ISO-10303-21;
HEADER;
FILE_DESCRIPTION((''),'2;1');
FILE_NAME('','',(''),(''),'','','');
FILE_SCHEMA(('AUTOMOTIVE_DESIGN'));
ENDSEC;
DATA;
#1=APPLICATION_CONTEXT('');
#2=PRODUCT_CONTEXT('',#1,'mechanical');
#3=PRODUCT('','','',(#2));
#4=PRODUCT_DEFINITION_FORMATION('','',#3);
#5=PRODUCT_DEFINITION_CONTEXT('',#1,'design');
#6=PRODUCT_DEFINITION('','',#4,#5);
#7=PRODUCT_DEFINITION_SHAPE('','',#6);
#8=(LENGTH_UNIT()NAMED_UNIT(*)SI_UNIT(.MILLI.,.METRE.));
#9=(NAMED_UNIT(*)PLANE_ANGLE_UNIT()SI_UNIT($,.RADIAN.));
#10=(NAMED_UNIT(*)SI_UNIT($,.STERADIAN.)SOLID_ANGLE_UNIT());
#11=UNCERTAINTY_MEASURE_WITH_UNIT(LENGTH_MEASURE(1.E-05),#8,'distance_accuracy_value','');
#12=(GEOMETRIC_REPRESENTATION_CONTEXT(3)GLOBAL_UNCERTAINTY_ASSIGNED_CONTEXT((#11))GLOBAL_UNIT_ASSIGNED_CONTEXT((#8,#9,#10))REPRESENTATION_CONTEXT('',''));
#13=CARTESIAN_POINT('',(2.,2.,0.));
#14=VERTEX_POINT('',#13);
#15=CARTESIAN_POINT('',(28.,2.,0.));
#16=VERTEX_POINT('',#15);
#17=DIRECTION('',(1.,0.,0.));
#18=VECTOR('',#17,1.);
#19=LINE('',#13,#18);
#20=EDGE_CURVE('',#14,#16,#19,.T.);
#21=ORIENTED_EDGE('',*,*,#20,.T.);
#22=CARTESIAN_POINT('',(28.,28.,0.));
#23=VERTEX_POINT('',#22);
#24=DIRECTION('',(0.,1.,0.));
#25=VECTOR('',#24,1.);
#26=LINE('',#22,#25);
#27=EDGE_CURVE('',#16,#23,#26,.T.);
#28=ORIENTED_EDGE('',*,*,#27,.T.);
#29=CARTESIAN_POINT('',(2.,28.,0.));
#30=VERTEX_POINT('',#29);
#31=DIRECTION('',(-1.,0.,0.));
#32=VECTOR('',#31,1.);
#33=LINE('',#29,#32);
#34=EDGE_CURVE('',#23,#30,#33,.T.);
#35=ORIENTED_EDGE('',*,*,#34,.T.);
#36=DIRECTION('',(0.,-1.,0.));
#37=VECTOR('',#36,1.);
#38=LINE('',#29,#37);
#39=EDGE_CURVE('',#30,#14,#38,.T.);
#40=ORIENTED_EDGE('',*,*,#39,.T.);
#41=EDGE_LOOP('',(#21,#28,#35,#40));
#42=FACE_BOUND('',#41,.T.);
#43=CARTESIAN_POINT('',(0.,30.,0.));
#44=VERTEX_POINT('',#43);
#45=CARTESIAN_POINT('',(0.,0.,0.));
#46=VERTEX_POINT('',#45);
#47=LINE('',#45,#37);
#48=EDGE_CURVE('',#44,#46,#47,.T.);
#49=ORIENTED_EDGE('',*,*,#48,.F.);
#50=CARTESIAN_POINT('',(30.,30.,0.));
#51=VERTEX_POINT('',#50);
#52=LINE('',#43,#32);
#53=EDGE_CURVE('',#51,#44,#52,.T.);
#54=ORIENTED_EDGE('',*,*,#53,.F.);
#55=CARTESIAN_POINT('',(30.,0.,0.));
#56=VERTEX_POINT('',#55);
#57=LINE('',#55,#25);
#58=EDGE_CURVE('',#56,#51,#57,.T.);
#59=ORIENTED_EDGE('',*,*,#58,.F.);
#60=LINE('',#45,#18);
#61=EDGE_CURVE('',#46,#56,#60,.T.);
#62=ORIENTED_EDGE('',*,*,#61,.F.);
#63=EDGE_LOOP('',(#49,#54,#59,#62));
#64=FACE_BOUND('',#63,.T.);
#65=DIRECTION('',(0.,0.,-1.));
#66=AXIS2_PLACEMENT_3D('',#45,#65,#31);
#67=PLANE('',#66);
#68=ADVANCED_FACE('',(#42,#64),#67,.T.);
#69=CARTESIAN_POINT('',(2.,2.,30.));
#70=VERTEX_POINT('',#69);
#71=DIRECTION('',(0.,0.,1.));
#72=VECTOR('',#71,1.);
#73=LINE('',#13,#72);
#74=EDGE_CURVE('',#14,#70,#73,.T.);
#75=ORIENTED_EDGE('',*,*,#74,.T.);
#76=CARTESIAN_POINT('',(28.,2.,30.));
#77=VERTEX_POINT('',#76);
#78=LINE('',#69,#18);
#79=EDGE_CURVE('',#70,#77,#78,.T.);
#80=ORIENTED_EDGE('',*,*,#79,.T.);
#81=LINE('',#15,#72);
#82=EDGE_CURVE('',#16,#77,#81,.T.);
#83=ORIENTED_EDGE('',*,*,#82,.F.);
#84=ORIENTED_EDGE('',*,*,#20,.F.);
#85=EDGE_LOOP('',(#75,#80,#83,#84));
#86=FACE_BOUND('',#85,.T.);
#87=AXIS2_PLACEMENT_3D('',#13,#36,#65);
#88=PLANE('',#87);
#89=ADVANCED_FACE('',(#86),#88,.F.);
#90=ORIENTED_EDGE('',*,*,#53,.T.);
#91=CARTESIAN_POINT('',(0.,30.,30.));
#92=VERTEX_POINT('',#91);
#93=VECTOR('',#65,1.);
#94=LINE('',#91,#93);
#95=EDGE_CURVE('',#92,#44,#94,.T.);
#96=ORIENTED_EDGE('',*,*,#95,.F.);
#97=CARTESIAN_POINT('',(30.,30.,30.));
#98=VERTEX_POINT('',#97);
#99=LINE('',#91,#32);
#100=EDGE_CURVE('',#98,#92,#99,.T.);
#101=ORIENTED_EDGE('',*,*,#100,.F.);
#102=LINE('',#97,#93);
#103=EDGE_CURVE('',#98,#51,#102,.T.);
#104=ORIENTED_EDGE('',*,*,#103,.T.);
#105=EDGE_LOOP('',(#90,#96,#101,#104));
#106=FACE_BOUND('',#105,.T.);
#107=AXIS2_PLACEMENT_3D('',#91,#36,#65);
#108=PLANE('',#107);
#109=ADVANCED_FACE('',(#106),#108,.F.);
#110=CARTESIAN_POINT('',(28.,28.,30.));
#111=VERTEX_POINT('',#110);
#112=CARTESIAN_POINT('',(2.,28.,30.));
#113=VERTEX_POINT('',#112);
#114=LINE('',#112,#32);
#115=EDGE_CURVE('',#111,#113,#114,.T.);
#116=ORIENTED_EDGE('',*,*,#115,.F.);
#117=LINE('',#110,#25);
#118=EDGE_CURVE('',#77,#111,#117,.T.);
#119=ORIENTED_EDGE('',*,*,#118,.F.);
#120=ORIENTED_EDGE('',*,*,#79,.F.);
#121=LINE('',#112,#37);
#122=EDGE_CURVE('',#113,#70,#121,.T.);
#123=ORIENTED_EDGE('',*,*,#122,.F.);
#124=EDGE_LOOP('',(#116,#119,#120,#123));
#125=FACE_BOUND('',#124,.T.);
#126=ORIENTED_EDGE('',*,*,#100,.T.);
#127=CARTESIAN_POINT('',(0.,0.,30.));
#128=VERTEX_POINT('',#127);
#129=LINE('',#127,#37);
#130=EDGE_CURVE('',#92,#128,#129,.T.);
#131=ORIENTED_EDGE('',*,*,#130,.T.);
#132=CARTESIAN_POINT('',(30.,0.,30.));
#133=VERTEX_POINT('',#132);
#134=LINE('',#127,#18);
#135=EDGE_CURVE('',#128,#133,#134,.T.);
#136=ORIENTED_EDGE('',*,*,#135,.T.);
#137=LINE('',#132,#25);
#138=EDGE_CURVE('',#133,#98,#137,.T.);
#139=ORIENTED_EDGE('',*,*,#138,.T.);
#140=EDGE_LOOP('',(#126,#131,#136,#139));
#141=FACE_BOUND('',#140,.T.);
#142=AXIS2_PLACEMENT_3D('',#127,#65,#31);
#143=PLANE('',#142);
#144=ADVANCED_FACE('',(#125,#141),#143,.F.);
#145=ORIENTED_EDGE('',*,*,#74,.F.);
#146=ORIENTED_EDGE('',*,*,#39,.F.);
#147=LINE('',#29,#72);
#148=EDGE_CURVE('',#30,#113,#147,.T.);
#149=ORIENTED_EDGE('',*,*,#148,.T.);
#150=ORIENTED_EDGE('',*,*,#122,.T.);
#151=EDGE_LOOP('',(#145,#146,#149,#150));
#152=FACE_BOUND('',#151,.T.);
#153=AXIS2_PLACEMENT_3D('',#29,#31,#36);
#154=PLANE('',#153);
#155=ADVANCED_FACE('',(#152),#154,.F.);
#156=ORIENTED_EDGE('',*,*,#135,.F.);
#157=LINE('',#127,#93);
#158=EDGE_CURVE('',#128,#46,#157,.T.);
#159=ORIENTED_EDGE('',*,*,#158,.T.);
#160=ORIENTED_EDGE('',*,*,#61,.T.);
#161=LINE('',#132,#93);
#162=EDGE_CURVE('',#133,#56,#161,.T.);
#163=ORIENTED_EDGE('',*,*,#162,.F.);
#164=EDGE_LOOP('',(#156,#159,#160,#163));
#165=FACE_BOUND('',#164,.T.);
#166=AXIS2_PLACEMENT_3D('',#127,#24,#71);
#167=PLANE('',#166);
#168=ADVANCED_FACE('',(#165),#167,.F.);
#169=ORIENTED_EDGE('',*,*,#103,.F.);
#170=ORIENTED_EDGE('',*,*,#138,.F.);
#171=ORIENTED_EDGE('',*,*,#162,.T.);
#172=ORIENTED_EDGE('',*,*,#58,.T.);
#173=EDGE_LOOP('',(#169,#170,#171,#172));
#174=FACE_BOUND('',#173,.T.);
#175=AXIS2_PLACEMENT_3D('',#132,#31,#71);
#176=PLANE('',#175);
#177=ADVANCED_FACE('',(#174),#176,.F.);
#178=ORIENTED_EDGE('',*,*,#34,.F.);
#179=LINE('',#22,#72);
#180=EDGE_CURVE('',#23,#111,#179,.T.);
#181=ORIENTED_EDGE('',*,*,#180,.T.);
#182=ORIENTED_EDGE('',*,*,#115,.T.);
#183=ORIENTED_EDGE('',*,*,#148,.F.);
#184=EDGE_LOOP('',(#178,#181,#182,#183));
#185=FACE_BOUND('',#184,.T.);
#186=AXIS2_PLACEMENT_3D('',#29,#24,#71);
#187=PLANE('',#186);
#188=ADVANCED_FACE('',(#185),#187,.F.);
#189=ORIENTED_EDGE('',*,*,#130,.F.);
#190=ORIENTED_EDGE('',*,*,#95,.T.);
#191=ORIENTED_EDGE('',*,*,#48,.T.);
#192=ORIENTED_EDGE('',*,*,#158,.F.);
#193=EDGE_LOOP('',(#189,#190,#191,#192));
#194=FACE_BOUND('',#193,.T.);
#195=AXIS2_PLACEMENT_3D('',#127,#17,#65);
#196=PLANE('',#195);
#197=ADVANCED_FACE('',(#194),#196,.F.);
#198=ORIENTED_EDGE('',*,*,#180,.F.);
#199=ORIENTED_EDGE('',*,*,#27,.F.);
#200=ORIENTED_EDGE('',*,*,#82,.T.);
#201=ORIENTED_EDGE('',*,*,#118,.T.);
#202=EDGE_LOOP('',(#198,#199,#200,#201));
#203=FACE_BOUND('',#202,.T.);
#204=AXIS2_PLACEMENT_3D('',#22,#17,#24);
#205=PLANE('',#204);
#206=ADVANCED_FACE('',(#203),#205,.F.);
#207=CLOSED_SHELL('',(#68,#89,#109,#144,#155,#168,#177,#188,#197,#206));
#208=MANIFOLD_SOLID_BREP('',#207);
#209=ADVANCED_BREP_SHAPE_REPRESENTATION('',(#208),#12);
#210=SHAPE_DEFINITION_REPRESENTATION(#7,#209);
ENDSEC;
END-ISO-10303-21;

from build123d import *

# Parameters (mm, degrees)
SKETCH_1_W          = 30
SKETCH_1_H          = 30
EXTRUDE_1_DEPTH     = 30
SKETCH_2_W          = 26
SKETCH_2_H          = 26
CUT_EXTRUDE_1_DEPTH = 52.961524227


with BuildPart() as part:
    # Эскиз1 → Бобышка-Вытянуть1 (new body)
    with BuildSketch(Plane.XY):
        with Locations((15, 15)):
            Rectangle(SKETCH_1_W, SKETCH_1_H)
    extrude(amount=EXTRUDE_1_DEPTH)

    # Эскиз2 → Вырез-Вытянуть1 (cut, through all)
    with BuildSketch(Plane.XY.offset(30)):
        with Locations((15, 15)):
            Rectangle(SKETCH_2_W, SKETCH_2_H)
    extrude(amount=-CUT_EXTRUDE_1_DEPTH, mode=Mode.SUBTRACT)


solid = part.part
